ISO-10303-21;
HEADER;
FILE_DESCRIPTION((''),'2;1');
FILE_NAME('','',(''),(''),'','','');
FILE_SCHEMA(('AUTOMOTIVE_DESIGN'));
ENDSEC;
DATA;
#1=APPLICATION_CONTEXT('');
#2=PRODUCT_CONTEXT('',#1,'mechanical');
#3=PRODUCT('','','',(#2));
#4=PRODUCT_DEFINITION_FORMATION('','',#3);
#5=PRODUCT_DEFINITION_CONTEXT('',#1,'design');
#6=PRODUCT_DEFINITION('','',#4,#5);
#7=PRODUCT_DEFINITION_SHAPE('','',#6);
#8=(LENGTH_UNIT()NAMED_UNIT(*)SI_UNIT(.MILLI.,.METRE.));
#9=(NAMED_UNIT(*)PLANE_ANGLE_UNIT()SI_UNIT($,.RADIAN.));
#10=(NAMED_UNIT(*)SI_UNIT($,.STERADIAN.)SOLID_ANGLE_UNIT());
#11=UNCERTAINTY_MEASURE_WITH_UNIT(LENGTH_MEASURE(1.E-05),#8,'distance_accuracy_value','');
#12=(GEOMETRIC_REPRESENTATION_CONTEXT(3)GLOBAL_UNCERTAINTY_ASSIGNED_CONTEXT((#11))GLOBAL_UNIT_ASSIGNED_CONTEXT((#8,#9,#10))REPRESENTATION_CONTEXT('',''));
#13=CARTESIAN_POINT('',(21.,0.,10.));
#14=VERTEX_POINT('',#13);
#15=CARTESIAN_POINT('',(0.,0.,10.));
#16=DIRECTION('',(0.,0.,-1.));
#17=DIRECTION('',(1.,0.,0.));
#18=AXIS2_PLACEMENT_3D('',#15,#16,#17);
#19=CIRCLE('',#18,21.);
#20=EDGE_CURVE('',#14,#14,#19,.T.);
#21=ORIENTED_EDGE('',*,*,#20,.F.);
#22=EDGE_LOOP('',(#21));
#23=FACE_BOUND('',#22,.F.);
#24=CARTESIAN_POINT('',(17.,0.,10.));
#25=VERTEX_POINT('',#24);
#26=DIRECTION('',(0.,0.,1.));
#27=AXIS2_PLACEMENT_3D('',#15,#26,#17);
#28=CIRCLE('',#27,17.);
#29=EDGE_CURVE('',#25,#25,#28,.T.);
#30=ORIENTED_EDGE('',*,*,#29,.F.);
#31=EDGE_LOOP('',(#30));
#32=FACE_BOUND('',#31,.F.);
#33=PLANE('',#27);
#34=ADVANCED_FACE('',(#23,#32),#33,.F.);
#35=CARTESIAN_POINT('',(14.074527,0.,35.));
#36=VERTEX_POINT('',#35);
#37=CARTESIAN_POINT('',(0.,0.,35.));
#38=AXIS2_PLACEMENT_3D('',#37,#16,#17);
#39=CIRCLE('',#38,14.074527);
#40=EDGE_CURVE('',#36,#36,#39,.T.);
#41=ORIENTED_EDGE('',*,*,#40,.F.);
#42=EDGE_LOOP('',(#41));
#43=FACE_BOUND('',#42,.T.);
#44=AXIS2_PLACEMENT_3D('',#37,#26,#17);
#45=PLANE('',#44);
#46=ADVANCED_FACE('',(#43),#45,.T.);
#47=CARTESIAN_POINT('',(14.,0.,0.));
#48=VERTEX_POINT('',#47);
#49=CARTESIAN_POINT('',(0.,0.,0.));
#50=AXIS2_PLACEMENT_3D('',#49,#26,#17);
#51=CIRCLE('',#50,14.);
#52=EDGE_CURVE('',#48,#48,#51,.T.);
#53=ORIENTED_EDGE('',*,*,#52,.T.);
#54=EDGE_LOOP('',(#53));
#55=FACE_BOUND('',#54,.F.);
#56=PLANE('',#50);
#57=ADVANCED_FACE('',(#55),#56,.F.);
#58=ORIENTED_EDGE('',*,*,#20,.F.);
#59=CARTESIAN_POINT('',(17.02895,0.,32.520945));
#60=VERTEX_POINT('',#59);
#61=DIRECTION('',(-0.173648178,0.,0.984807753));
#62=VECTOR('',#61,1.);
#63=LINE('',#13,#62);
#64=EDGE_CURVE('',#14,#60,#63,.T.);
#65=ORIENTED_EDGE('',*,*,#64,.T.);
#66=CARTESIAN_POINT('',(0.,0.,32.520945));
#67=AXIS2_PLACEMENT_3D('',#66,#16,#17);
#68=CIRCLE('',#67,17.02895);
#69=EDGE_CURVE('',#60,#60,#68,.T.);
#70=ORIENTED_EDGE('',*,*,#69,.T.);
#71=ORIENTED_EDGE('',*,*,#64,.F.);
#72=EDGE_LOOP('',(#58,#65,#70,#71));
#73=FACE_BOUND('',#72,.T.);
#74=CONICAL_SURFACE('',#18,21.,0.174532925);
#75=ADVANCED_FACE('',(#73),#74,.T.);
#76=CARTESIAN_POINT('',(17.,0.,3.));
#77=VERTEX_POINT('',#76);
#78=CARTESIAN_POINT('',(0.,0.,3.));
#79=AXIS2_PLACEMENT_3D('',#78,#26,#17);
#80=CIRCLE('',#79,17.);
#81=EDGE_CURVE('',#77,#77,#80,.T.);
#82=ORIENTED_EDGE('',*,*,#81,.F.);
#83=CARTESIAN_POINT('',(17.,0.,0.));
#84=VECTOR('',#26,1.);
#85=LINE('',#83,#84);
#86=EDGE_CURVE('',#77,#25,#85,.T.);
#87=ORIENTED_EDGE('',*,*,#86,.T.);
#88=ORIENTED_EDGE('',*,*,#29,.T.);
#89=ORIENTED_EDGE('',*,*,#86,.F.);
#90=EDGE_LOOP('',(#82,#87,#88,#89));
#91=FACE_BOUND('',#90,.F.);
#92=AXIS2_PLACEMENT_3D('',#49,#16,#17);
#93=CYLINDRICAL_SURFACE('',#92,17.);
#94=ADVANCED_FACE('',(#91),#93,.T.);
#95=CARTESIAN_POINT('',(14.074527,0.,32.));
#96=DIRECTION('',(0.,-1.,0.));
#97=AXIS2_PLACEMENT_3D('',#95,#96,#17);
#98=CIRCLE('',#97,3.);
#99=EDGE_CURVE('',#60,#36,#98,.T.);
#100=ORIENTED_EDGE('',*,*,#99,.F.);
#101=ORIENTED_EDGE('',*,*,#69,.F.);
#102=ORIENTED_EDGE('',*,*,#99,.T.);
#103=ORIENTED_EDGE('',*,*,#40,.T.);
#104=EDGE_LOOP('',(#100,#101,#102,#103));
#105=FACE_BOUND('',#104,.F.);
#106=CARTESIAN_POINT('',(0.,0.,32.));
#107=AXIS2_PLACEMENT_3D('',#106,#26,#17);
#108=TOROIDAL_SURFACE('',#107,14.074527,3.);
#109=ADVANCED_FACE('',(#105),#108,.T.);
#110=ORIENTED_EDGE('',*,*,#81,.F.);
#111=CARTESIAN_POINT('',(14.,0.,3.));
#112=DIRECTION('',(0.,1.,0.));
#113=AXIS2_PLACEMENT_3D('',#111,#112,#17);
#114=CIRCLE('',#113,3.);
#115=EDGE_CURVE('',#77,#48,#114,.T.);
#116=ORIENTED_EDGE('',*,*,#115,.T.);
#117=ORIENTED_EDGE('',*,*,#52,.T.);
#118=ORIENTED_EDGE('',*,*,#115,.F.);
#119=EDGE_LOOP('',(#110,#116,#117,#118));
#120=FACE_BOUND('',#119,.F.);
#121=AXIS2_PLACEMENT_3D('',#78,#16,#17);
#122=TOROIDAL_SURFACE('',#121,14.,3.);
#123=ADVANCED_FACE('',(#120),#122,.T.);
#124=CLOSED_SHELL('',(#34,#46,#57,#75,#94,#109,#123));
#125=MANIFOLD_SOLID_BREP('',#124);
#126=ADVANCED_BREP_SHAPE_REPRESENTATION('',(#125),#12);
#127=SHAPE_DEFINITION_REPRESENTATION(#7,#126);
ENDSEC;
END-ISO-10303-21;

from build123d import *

# Parameters (mm, degrees)
F0_R     = 17
F1_DEPTH = 10
F2_R     = 21
F3_DEPTH = 25
F3_TAPER = 10
F4_R     = 3


with BuildPart() as f1:
    # F0 (on Top) → F1 (new body)
    with BuildSketch(Plane.XY):
        Circle(F0_R)
    extrude(amount=F1_DEPTH)

    # F2 (on face) → F3 (join)
    with BuildSketch(Plane.XY.offset(10)):
        Circle(F2_R)
    extrude(amount=F3_DEPTH, taper=F3_TAPER)

    # F4
    f4_edges = [f1.edges().sort_by_distance(p)[0] for p in [
        (-16.591825, 0, 35),
        (-17, 0, 0),
    ]]
    fillet(f4_edges, radius=F4_R)


solid = f1.part
